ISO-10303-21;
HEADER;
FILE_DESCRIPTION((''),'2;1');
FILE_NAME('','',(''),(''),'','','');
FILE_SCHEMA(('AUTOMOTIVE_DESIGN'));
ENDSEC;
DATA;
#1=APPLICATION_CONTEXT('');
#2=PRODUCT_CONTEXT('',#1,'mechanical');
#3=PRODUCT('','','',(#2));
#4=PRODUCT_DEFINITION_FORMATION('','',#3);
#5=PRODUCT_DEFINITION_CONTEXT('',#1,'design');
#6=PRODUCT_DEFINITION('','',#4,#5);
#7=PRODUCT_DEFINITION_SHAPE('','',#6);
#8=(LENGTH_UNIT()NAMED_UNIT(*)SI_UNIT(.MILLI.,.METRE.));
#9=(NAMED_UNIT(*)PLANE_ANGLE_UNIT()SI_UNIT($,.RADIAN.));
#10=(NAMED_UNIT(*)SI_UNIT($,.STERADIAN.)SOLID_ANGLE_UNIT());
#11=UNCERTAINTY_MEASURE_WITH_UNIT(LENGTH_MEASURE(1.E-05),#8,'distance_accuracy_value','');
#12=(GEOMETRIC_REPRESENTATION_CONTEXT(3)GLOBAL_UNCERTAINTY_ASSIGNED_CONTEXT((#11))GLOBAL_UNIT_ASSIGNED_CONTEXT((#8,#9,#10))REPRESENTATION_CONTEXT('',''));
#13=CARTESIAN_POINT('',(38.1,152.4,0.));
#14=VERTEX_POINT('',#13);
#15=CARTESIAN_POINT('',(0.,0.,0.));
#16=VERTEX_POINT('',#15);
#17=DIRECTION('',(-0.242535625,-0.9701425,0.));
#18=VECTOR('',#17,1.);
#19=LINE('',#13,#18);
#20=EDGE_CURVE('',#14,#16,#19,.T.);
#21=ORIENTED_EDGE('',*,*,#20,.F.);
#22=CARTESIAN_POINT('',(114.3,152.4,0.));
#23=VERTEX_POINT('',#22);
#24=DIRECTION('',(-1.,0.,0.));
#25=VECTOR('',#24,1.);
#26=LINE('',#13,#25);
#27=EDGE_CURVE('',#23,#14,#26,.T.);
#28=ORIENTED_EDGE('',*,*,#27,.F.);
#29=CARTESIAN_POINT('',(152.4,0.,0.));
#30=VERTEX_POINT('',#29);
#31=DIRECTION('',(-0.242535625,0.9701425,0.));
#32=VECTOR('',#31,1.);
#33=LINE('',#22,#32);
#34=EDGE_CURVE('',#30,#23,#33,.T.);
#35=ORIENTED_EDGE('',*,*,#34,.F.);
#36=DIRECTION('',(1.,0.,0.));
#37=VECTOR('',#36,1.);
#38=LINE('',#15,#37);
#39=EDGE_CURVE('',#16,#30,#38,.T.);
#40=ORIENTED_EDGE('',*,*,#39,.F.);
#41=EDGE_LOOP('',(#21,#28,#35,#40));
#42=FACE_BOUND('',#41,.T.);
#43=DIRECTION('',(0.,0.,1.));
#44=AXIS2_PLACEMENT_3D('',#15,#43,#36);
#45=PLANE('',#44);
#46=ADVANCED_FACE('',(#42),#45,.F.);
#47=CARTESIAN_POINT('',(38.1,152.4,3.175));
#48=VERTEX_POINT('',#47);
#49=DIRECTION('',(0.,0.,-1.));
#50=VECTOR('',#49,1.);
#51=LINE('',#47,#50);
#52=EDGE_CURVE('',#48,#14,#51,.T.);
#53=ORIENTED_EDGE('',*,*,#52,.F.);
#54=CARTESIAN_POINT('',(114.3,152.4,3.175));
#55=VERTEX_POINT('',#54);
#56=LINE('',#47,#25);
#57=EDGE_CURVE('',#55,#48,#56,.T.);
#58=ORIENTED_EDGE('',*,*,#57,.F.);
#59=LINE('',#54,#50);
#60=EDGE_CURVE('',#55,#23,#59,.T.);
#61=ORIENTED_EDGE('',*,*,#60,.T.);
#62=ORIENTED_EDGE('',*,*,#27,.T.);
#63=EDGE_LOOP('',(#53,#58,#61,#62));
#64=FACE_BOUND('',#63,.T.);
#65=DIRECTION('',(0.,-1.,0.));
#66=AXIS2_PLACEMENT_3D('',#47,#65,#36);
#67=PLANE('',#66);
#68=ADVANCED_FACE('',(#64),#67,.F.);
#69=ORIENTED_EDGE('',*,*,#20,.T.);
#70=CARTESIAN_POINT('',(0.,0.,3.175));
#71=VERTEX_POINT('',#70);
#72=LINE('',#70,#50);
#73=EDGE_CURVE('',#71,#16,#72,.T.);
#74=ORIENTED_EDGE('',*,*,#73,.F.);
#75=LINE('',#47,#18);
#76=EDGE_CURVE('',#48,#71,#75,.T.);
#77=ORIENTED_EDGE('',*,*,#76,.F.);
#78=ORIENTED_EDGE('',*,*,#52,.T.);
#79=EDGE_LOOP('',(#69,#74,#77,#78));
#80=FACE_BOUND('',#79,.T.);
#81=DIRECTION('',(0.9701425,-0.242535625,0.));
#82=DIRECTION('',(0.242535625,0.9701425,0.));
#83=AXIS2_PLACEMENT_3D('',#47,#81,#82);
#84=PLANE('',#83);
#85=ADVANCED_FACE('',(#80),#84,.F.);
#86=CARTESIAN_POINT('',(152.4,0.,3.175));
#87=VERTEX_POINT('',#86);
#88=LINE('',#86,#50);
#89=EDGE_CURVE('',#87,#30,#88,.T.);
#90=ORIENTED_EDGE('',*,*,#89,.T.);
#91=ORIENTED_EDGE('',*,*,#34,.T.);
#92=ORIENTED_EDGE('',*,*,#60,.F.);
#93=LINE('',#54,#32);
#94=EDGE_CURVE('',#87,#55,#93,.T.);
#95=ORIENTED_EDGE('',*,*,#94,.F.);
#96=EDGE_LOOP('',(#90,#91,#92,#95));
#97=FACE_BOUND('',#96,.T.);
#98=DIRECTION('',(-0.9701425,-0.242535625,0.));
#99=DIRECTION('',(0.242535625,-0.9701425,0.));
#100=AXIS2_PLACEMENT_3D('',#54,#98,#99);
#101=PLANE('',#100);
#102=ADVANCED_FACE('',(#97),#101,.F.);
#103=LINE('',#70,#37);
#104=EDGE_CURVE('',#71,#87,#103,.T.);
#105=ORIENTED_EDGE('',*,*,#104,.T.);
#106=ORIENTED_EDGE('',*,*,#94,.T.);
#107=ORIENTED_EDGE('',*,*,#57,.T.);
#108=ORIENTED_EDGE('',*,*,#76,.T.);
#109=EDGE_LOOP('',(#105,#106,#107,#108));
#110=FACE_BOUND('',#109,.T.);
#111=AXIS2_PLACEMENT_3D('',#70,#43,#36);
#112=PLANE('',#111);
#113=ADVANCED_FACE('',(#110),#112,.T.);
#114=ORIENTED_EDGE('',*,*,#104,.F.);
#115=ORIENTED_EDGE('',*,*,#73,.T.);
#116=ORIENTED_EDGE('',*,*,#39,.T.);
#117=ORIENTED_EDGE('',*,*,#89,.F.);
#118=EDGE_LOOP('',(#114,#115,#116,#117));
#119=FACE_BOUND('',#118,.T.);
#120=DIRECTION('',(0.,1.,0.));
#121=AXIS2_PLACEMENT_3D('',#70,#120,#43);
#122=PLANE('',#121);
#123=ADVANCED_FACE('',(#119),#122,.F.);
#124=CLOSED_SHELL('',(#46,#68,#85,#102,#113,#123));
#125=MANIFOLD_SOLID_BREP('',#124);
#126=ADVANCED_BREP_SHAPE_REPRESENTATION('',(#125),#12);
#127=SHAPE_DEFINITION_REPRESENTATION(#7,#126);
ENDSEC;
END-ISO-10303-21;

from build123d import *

# Parameters (mm, degrees)
BOSS_EXTRUDE1_DEPTH = 3.175


with BuildPart() as part:
    # Sketch2 → Boss-Extrude1 (new body)
    with BuildSketch(Plane.XY):
        Polygon((0, 0), (152.4, 0), (114.3, 152.4), (38.1, 152.4), align=None)
    extrude(amount=BOSS_EXTRUDE1_DEPTH)


solid = part.part
